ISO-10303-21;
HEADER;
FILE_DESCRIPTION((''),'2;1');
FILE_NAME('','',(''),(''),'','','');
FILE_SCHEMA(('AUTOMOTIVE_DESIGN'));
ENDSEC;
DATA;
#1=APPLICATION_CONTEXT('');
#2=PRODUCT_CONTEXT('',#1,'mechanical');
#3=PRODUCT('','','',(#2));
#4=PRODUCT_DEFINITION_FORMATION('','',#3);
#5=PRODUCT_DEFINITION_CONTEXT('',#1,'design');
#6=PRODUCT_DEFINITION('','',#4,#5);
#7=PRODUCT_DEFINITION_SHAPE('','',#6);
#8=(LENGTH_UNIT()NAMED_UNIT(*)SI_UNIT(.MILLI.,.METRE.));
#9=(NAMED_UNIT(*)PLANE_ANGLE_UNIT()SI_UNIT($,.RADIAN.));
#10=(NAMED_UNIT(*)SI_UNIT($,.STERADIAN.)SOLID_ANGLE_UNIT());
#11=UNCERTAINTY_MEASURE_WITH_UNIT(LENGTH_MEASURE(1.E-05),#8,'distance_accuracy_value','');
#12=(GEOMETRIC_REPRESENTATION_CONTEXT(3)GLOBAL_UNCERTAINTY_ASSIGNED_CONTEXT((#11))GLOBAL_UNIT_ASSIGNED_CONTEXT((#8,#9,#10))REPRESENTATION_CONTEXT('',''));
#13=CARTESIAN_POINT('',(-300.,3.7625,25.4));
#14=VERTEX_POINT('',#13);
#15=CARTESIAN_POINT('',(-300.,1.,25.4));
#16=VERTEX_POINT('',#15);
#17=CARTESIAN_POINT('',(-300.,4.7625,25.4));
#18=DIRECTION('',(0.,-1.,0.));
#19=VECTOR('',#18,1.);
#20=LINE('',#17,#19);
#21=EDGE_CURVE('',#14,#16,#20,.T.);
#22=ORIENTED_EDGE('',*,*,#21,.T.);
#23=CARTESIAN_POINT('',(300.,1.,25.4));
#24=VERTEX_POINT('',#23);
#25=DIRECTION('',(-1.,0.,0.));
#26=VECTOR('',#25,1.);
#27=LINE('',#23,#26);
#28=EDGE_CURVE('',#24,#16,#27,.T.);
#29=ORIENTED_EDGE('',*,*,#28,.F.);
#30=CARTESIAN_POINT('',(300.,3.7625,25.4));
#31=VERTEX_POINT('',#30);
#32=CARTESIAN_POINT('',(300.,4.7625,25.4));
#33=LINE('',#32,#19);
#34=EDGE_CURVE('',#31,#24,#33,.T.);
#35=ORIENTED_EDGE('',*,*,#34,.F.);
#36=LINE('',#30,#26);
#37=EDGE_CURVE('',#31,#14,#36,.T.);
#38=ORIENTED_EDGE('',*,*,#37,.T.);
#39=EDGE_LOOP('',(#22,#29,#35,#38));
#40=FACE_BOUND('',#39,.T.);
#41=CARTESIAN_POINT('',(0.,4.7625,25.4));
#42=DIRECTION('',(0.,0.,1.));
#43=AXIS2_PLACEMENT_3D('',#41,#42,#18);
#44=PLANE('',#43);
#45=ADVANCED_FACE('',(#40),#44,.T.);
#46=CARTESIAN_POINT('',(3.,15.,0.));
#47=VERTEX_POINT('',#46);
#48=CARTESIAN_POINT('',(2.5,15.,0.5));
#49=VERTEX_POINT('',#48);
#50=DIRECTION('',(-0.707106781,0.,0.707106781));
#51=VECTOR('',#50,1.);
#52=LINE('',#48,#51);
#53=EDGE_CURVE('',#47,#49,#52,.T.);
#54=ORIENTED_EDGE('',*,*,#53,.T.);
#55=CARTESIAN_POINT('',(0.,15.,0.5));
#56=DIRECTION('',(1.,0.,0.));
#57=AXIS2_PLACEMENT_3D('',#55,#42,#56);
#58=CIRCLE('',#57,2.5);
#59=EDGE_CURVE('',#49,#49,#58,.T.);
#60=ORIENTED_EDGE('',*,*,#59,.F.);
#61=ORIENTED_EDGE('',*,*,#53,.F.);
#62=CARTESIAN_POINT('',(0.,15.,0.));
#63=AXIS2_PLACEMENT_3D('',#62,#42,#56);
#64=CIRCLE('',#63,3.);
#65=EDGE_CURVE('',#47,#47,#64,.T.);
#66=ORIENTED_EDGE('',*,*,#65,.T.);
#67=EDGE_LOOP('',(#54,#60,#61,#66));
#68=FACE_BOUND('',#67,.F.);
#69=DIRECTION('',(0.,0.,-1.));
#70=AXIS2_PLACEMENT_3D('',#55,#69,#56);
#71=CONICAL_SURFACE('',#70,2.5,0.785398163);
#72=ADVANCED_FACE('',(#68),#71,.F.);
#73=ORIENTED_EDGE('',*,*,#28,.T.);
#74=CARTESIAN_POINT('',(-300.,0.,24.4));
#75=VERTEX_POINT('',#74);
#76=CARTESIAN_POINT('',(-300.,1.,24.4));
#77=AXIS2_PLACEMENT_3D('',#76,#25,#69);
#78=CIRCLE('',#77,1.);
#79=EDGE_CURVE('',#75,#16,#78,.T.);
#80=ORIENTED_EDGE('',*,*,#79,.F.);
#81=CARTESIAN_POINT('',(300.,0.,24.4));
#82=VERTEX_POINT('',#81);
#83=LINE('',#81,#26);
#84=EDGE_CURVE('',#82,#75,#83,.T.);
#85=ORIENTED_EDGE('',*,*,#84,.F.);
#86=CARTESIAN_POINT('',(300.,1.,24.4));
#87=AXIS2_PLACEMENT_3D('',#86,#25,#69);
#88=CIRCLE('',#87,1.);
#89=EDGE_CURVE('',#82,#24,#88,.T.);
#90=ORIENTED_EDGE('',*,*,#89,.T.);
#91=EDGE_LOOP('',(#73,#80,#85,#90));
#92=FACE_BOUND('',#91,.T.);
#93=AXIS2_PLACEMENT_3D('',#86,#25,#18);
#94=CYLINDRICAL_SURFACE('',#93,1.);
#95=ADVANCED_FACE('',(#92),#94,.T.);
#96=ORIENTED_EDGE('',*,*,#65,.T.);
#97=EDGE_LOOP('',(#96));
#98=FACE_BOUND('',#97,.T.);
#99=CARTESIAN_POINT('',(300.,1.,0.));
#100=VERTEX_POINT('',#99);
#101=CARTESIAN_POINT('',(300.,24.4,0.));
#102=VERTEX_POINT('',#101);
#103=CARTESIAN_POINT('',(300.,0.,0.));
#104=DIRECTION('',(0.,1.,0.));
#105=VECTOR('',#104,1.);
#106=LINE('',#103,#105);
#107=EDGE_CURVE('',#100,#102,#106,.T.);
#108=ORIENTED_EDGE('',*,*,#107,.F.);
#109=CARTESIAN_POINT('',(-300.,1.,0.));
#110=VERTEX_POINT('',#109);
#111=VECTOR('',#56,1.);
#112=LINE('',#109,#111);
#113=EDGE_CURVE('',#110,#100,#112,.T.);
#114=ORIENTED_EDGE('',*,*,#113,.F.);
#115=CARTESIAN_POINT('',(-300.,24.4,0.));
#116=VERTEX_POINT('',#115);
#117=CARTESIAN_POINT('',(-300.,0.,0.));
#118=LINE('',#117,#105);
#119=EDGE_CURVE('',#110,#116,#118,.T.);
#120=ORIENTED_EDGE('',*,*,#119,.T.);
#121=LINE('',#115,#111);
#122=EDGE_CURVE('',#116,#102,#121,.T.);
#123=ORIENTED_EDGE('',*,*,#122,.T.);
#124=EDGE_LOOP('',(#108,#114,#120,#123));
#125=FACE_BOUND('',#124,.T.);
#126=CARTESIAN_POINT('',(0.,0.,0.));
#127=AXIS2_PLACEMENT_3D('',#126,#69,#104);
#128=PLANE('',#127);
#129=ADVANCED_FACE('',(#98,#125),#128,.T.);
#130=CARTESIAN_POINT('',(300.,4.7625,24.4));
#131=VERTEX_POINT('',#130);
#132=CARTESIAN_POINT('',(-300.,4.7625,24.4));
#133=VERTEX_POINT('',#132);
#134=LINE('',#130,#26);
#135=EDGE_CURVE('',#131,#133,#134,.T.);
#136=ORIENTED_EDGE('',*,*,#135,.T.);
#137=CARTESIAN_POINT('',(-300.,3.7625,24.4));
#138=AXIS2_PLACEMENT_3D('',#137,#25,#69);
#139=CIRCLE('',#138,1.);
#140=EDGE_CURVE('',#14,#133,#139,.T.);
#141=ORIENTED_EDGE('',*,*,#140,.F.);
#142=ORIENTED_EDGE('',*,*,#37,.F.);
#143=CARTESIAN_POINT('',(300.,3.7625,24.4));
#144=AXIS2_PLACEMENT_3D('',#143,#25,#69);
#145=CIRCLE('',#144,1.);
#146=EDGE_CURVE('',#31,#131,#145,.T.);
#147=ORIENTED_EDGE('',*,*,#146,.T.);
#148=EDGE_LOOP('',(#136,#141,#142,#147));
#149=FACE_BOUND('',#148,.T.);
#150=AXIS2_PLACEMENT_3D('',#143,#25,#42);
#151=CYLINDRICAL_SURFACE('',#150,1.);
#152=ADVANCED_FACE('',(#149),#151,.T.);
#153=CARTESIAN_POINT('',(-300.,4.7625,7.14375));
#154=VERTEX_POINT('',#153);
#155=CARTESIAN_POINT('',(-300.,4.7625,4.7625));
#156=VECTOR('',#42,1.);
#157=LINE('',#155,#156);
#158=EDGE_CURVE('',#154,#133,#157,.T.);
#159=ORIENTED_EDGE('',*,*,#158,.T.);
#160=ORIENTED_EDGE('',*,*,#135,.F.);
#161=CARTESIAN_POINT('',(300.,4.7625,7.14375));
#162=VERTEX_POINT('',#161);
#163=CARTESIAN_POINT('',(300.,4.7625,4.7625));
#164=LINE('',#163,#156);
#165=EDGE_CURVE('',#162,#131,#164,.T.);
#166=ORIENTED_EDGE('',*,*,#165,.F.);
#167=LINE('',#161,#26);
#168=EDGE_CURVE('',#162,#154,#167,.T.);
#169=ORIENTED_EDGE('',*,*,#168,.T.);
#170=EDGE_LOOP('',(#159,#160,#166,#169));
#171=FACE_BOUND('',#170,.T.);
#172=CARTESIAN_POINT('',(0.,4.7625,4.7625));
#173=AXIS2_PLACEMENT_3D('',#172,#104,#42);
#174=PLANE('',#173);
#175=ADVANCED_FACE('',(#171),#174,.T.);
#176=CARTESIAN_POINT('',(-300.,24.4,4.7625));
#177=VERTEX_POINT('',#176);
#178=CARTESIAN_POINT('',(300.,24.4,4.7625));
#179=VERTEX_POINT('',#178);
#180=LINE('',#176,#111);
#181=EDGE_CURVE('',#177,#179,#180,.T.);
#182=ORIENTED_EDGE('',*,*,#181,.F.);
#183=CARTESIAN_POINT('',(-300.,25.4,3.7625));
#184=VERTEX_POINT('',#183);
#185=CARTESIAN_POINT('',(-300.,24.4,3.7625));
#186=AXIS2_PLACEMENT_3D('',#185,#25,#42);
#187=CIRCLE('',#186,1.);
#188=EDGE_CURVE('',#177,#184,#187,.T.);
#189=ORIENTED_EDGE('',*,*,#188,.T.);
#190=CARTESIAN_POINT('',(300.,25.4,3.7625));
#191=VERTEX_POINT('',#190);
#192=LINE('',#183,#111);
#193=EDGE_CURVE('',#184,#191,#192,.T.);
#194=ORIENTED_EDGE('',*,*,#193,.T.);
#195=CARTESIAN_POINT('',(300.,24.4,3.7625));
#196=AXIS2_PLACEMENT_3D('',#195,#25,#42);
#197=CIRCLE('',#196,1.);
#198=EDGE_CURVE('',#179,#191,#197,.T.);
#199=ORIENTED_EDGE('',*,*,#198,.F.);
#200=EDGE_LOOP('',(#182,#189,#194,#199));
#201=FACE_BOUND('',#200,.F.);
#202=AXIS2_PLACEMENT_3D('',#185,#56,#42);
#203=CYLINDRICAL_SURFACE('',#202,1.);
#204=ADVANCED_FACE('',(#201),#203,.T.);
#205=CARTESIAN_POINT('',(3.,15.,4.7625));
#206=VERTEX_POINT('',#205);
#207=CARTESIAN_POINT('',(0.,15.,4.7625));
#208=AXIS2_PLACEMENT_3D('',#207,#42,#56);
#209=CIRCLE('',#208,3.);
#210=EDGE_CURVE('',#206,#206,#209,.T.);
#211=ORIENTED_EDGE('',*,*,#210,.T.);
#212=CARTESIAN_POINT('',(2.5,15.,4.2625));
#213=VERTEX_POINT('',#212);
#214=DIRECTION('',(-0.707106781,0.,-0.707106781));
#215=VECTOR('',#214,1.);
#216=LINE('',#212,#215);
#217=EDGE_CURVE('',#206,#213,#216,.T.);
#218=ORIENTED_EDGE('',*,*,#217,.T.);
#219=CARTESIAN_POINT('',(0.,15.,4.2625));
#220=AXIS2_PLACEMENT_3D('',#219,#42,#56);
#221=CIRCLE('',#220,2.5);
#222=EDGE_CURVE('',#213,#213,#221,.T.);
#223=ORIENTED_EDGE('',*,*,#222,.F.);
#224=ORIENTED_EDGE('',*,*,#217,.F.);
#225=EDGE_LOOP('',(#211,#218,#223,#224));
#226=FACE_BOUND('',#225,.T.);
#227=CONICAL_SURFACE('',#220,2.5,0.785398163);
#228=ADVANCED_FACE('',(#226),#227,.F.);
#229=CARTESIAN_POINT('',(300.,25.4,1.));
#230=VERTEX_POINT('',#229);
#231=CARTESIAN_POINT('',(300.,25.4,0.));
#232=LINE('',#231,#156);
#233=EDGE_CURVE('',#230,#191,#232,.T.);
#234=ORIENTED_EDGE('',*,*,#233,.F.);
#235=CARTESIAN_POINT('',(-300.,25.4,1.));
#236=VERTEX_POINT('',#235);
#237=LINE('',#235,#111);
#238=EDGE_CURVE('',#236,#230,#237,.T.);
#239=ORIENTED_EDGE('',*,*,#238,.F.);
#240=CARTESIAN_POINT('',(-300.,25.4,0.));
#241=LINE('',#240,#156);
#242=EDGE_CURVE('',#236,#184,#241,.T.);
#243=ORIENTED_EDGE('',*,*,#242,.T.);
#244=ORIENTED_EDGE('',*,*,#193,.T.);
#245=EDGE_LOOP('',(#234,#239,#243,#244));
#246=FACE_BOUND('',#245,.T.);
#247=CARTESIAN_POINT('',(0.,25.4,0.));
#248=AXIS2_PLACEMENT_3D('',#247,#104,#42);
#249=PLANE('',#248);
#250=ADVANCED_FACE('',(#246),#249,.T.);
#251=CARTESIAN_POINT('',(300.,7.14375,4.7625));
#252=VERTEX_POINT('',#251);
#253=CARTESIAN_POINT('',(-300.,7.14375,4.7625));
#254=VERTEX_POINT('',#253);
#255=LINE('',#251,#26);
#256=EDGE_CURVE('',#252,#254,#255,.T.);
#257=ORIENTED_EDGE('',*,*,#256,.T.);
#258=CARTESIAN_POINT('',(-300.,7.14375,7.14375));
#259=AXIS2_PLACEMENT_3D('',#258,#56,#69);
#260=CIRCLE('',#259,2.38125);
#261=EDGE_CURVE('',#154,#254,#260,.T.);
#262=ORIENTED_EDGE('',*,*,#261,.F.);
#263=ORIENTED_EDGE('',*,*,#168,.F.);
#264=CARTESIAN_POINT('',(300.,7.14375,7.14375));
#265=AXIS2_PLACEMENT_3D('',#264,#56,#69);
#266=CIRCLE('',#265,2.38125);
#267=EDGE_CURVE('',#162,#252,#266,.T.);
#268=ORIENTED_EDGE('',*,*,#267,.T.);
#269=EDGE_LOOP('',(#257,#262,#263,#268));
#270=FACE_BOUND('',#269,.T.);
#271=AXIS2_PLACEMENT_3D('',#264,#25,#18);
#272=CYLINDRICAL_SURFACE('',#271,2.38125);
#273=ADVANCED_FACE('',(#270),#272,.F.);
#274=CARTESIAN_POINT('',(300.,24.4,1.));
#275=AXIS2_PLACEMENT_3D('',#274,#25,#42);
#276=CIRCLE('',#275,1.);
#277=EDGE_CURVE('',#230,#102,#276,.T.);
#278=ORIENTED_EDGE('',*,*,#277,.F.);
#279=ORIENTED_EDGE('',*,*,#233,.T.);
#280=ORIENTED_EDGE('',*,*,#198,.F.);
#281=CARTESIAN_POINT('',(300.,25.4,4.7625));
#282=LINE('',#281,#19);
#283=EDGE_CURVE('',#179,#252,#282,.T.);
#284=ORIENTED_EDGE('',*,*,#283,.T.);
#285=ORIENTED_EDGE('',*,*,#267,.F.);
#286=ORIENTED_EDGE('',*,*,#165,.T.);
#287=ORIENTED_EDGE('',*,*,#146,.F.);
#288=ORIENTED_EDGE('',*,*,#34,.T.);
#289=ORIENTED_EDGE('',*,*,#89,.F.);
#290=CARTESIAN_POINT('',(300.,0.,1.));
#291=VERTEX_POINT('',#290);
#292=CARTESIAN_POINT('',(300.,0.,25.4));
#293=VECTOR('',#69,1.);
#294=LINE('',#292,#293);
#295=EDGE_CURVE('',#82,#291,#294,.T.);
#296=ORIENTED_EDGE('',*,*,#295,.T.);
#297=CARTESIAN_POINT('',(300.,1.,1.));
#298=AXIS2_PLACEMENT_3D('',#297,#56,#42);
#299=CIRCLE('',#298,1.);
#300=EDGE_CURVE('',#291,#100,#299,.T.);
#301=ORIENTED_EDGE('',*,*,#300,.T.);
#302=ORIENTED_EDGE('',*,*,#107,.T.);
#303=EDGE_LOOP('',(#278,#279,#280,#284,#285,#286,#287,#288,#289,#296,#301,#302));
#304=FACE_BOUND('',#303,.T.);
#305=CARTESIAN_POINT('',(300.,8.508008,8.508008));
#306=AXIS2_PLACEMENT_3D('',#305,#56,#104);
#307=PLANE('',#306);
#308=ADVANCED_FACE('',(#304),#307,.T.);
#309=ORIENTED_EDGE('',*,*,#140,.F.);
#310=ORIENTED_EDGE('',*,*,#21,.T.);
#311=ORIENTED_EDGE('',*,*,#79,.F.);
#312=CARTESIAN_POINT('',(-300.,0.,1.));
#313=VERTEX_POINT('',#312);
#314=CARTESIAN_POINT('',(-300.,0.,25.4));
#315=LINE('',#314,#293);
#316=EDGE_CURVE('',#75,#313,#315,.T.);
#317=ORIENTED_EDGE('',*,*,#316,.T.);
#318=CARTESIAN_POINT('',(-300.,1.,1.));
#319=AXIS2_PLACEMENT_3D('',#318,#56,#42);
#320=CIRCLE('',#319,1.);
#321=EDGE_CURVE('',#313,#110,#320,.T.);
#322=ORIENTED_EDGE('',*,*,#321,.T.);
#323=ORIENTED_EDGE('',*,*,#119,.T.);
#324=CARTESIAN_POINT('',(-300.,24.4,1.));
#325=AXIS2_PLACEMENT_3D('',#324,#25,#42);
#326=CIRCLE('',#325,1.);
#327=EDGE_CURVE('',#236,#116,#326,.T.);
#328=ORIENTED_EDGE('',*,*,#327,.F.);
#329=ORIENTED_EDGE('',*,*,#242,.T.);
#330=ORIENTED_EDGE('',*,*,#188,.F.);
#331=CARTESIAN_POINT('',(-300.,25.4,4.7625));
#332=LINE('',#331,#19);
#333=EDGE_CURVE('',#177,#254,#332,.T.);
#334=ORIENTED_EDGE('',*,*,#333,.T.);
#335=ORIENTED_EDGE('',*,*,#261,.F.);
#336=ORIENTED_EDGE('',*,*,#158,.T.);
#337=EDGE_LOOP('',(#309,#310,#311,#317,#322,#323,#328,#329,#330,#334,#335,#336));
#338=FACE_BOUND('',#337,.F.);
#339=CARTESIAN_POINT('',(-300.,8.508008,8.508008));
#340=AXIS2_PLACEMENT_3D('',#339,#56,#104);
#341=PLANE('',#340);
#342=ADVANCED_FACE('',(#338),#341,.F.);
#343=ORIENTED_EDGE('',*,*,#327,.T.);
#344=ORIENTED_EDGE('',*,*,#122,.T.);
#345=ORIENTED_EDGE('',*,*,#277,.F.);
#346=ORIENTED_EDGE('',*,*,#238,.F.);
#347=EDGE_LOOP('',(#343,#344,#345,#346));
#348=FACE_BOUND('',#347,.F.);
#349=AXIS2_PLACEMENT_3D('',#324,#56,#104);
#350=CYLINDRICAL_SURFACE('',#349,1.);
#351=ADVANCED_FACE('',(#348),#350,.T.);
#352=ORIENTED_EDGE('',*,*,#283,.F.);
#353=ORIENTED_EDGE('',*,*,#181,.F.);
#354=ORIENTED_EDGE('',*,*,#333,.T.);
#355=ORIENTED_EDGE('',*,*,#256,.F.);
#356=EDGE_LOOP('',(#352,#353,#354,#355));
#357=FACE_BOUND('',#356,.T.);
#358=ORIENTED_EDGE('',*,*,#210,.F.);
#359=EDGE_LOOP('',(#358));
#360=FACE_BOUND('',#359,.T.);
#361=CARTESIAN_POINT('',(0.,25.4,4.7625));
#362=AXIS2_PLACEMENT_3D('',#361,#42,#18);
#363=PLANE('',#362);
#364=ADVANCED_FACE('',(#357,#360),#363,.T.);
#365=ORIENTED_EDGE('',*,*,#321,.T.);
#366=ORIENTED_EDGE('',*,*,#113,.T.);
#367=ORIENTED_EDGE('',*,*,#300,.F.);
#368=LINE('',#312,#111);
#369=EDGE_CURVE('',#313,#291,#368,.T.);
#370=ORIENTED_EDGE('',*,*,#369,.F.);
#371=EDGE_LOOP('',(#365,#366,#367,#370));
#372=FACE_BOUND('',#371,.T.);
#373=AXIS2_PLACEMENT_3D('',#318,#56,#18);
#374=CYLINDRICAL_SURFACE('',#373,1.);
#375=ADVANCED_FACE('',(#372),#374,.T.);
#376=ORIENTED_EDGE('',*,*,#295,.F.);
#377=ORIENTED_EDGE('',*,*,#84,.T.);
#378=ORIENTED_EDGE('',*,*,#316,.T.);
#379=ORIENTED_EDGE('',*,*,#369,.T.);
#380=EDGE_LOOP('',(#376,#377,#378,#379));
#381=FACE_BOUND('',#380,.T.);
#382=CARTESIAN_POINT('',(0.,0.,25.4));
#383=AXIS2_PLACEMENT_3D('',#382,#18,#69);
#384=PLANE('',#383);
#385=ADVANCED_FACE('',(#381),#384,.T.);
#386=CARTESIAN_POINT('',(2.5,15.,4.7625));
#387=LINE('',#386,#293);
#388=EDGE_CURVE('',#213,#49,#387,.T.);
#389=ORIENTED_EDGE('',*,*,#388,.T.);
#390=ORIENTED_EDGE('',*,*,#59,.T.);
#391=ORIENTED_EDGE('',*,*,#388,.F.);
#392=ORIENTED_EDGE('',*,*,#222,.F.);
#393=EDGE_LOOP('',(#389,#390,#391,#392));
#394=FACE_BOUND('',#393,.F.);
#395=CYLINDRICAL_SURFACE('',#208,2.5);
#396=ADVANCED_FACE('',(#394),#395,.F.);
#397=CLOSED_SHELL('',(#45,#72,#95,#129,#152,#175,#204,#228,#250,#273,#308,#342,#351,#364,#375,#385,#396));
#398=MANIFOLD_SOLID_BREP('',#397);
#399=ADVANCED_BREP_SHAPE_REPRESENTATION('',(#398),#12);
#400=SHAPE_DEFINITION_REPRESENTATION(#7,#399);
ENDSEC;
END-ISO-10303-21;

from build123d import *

# Parameters (mm, degrees)
F1_DEPTH = 300
F2_R     = 1
F3_R     = 2.38125
F4_R     = 2.5
F5_DEPTH = 25
F6_SIZE  = 0.5


with BuildPart() as f1:
    # F0 (on Right) → F1 (new body, symmetric)
    with BuildSketch(Plane.YZ):
        Polygon((0, 25.4), (0, 0), (25.4, 0), (25.4, 4.7625), (4.7625, 4.7625), (4.7625, 25.4), align=None)
    extrude(amount=F1_DEPTH, both=True)

    # F2
    f2_edges = [f1.edges().sort_by_distance(p)[0] for p in [
        (0, 0, 25.4),
        (0, 4.7625, 25.4),
        (0, 0, 0),
        (0, 25.4, 4.7625),
        (0, 25.4, 0),
    ]]
    fillet(f2_edges, radius=F2_R)

    # F3
    f3_edges = [f1.edges().sort_by_distance(p)[0] for p in [
        (0, 4.7625, 4.7625),
    ]]
    fillet(f3_edges, radius=F3_R)

    # F4 (on face) → F5 (cut)
    with BuildSketch(Plane.XY.offset(4.7625)):
        with Locations((0, 15)):
            Circle(F4_R)
    extrude(amount=-F5_DEPTH, mode=Mode.SUBTRACT)

    # F6
    f6_edges = [f1.edges().sort_by_distance(p)[0] for p in [
        (-2.5, 15, 4.7625),
        (2.5, 15, 2.38125),
        (-2.5, 15, 0),
    ]]
    chamfer(f6_edges, length=F6_SIZE)


solid = f1.part
